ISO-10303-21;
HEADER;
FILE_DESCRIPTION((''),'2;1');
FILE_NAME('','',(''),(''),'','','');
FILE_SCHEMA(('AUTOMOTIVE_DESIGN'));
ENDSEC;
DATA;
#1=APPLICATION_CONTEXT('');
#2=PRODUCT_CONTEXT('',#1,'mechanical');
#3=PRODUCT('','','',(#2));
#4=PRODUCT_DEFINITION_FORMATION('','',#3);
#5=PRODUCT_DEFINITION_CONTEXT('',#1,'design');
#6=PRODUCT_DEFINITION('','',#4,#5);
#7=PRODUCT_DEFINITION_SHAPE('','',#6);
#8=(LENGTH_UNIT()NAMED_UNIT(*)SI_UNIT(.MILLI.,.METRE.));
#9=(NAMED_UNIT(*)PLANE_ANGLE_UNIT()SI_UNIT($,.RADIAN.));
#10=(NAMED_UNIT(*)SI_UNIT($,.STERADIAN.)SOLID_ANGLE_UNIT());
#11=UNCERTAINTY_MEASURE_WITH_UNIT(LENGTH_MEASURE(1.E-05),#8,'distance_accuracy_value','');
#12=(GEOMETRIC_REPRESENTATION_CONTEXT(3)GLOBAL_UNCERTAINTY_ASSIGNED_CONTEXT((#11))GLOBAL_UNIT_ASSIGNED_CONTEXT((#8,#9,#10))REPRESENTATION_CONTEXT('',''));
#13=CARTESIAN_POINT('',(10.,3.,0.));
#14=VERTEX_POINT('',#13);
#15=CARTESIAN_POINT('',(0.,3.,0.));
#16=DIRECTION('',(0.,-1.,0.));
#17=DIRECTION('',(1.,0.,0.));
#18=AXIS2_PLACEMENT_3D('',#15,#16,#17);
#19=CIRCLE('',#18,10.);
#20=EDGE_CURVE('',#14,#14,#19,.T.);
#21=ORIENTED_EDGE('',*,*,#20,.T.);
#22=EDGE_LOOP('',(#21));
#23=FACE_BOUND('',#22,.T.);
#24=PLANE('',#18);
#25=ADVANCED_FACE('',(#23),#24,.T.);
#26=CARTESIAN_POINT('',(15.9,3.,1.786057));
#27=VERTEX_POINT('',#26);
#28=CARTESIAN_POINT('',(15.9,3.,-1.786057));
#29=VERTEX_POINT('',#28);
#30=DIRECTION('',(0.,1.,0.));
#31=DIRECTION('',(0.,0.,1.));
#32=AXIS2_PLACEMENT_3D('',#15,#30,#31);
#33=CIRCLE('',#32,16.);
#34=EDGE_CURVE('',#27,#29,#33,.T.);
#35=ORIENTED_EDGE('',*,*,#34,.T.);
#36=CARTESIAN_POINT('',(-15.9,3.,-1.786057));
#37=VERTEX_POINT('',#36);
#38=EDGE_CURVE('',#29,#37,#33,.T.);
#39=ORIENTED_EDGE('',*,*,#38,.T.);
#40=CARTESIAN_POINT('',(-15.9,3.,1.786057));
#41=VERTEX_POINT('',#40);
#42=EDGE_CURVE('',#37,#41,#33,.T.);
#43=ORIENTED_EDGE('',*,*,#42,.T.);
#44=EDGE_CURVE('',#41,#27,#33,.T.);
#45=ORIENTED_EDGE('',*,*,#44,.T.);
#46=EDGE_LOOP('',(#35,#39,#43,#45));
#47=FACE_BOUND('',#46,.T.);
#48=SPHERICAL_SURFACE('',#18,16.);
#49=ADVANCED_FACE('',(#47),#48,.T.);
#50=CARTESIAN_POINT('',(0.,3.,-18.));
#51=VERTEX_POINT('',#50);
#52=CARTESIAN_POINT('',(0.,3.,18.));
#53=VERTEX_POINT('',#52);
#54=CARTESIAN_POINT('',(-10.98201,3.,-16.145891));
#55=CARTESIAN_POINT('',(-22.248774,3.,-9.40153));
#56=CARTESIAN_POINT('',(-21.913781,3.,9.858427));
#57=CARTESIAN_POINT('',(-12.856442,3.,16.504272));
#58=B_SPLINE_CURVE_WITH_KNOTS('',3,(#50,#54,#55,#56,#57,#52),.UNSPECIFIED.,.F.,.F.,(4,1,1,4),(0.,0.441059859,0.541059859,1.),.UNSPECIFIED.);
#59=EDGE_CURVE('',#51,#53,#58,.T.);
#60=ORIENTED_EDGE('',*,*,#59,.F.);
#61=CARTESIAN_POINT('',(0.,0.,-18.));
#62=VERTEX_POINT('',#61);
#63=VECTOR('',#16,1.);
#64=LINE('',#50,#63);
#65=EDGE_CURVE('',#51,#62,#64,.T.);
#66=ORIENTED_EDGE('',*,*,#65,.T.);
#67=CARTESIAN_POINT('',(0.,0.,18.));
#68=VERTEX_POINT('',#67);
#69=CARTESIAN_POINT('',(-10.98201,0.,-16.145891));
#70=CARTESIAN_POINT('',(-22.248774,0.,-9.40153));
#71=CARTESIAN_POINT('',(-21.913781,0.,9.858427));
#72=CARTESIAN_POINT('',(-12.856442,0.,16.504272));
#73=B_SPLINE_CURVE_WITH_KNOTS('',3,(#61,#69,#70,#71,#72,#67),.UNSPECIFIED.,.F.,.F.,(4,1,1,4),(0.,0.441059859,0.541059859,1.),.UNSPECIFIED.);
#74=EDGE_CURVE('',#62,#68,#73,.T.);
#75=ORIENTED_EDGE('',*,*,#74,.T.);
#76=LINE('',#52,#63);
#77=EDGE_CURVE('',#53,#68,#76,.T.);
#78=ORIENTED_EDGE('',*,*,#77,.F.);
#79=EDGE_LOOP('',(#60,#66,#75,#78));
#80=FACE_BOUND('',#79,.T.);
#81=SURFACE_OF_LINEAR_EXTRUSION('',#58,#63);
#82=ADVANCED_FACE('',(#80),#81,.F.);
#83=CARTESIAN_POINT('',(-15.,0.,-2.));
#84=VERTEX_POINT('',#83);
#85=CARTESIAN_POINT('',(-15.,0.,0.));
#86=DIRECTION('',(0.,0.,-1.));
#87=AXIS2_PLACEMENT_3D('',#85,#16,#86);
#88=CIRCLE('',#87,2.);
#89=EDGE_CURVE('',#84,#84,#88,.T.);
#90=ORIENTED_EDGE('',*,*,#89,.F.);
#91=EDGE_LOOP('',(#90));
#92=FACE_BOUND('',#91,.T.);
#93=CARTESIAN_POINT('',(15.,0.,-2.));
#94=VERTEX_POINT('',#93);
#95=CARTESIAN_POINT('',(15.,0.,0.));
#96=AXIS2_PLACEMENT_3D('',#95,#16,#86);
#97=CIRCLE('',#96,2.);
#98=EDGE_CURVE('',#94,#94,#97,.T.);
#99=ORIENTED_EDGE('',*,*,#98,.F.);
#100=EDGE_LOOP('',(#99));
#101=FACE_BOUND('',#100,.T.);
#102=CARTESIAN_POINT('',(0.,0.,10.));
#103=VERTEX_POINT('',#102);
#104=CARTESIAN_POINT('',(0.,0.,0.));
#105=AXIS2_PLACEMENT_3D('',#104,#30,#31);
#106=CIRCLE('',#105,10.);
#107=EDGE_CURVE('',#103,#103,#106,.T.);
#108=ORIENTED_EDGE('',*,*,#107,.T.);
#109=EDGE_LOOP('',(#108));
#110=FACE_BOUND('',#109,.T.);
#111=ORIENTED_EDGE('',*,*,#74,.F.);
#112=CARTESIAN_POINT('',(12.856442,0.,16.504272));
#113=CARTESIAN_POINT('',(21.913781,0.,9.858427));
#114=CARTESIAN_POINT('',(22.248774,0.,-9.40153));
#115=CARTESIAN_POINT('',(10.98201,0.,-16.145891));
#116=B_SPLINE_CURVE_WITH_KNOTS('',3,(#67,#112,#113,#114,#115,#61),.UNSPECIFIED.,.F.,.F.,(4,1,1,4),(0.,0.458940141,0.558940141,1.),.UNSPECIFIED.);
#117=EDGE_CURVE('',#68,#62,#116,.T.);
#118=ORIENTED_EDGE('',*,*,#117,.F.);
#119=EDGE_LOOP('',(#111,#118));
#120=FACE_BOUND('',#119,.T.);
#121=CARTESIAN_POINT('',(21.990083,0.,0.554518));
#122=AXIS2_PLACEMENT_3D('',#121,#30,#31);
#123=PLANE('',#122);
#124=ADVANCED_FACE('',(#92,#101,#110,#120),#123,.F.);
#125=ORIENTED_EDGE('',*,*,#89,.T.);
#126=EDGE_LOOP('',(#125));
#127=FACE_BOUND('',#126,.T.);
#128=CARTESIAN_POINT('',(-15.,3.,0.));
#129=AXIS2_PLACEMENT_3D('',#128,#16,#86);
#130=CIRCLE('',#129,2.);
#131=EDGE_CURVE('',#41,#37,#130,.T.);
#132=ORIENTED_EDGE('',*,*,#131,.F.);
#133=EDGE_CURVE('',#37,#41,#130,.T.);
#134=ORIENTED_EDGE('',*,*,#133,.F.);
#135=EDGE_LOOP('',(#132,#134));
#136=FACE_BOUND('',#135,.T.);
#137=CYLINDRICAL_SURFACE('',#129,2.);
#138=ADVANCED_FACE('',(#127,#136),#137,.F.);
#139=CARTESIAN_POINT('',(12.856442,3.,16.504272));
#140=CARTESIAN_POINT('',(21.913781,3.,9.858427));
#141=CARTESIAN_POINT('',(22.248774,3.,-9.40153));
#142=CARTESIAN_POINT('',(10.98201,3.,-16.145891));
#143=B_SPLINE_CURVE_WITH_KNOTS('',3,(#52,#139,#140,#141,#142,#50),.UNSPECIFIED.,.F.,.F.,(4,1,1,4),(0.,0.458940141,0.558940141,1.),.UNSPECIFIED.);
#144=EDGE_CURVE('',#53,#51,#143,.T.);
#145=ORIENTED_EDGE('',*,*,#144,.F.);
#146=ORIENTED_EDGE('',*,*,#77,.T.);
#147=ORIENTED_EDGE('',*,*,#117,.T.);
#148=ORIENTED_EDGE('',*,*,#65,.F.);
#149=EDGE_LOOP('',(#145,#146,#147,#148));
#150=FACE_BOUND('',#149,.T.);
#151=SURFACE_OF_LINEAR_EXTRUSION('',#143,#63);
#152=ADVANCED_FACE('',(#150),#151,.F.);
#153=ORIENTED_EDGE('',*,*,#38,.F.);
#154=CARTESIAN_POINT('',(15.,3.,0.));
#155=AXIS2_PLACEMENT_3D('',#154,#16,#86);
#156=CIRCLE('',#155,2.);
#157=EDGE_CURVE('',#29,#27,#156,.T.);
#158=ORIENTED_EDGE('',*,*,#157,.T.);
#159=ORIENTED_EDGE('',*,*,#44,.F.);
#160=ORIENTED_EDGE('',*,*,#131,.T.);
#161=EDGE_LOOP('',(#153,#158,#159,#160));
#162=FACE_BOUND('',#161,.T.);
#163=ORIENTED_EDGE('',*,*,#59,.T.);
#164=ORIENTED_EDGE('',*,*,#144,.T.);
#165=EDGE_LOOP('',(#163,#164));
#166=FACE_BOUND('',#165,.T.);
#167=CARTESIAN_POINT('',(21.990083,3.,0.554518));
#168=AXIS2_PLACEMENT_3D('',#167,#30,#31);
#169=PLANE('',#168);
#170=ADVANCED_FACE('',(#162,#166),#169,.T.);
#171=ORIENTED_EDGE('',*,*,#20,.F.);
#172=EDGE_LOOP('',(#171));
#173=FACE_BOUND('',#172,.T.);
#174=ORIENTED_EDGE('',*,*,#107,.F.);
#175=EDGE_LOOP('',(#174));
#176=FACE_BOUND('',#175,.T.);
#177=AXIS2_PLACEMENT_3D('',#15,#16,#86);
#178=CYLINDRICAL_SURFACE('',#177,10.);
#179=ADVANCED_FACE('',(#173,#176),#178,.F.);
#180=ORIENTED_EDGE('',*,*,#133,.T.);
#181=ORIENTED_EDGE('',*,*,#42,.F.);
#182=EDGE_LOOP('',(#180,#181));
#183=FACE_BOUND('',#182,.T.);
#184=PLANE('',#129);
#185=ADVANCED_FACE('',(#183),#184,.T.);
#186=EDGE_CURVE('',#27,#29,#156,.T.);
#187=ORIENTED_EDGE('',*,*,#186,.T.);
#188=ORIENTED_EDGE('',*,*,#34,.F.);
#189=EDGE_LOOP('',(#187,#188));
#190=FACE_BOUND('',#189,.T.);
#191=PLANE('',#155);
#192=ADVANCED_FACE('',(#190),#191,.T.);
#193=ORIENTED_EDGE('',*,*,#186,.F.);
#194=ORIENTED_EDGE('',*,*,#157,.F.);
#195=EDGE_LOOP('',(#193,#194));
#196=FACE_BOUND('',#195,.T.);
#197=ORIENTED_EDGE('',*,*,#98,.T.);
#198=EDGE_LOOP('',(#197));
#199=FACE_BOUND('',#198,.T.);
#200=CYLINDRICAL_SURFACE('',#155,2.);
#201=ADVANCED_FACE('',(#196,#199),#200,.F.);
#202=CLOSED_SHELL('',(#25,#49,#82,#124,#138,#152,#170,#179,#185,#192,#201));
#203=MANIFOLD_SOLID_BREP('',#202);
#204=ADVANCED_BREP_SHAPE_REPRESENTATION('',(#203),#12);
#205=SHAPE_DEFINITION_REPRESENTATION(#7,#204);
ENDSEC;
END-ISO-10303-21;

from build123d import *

# Parameters (mm, degrees)
SKETCH_3_R          = 10
EXTRUDE_1_DEPTH     = 3
SKETCH_5_R          = 2
CUT_EXTRUDE_1_DEPTH = 3


with BuildPart() as part:
    # 草圖3 → 填料-伸長1 (new body)
    with BuildSketch(Plane(origin=(0, 0, 0), x_dir=(1, 0, 0), z_dir=(0, 1, 0))):
        with BuildLine():
            add(Edge.make_bspline(
                [(0, 18), (-10.982009899, 16.1458907), (-22.248773715, 9.401529612), (-21.913780718, -9.858427216), (-12.856442382, -16.504271701), (0, -18)],
                knots=[0, 0, 0, 0, 0.441059859, 0.541059859, 1, 1, 1, 1], degree=3))
            add(Edge.make_bspline(
                [(0, 18), (10.982009899, 16.1458907), (22.248773715, 9.401529612), (21.913780718, -9.858427216), (12.856442382, -16.504271701), (0, -18)],
                knots=[0, 0, 0, 0, 0.441059859, 0.541059859, 1, 1, 1, 1], degree=3))
        make_face()
        with Locations(Location((0, 0, 0), (0, 0, 270))):
            Circle(SKETCH_3_R, mode=Mode.SUBTRACT)
    extrude(amount=EXTRUDE_1_DEPTH)

    # 草圖4 → 旋轉1 (revolve)
    with BuildSketch(Plane.XY):
        with BuildLine():
            Line((0, 3), (16, 3))
            ThreePointArc((16, 3), (11.313708499, 14.313708499), (0, 19))
            Line((0, 19), (0, 3))
        make_face()
    revolve(axis=Axis((0, 3, 0), (0, 1, 0)))

    # 草圖5 → 除料-伸長1 (cut)
    with BuildSketch(Plane.XZ):
        with Locations(Location((-15, 0, 0), (0, 0, 270))):
            Circle(SKETCH_5_R)
        with Locations(Location((15, 0, 0), (0, 0, 270))):
            Circle(SKETCH_5_R)
    extrude(amount=-CUT_EXTRUDE_1_DEPTH, mode=Mode.SUBTRACT)


solid = part.part
